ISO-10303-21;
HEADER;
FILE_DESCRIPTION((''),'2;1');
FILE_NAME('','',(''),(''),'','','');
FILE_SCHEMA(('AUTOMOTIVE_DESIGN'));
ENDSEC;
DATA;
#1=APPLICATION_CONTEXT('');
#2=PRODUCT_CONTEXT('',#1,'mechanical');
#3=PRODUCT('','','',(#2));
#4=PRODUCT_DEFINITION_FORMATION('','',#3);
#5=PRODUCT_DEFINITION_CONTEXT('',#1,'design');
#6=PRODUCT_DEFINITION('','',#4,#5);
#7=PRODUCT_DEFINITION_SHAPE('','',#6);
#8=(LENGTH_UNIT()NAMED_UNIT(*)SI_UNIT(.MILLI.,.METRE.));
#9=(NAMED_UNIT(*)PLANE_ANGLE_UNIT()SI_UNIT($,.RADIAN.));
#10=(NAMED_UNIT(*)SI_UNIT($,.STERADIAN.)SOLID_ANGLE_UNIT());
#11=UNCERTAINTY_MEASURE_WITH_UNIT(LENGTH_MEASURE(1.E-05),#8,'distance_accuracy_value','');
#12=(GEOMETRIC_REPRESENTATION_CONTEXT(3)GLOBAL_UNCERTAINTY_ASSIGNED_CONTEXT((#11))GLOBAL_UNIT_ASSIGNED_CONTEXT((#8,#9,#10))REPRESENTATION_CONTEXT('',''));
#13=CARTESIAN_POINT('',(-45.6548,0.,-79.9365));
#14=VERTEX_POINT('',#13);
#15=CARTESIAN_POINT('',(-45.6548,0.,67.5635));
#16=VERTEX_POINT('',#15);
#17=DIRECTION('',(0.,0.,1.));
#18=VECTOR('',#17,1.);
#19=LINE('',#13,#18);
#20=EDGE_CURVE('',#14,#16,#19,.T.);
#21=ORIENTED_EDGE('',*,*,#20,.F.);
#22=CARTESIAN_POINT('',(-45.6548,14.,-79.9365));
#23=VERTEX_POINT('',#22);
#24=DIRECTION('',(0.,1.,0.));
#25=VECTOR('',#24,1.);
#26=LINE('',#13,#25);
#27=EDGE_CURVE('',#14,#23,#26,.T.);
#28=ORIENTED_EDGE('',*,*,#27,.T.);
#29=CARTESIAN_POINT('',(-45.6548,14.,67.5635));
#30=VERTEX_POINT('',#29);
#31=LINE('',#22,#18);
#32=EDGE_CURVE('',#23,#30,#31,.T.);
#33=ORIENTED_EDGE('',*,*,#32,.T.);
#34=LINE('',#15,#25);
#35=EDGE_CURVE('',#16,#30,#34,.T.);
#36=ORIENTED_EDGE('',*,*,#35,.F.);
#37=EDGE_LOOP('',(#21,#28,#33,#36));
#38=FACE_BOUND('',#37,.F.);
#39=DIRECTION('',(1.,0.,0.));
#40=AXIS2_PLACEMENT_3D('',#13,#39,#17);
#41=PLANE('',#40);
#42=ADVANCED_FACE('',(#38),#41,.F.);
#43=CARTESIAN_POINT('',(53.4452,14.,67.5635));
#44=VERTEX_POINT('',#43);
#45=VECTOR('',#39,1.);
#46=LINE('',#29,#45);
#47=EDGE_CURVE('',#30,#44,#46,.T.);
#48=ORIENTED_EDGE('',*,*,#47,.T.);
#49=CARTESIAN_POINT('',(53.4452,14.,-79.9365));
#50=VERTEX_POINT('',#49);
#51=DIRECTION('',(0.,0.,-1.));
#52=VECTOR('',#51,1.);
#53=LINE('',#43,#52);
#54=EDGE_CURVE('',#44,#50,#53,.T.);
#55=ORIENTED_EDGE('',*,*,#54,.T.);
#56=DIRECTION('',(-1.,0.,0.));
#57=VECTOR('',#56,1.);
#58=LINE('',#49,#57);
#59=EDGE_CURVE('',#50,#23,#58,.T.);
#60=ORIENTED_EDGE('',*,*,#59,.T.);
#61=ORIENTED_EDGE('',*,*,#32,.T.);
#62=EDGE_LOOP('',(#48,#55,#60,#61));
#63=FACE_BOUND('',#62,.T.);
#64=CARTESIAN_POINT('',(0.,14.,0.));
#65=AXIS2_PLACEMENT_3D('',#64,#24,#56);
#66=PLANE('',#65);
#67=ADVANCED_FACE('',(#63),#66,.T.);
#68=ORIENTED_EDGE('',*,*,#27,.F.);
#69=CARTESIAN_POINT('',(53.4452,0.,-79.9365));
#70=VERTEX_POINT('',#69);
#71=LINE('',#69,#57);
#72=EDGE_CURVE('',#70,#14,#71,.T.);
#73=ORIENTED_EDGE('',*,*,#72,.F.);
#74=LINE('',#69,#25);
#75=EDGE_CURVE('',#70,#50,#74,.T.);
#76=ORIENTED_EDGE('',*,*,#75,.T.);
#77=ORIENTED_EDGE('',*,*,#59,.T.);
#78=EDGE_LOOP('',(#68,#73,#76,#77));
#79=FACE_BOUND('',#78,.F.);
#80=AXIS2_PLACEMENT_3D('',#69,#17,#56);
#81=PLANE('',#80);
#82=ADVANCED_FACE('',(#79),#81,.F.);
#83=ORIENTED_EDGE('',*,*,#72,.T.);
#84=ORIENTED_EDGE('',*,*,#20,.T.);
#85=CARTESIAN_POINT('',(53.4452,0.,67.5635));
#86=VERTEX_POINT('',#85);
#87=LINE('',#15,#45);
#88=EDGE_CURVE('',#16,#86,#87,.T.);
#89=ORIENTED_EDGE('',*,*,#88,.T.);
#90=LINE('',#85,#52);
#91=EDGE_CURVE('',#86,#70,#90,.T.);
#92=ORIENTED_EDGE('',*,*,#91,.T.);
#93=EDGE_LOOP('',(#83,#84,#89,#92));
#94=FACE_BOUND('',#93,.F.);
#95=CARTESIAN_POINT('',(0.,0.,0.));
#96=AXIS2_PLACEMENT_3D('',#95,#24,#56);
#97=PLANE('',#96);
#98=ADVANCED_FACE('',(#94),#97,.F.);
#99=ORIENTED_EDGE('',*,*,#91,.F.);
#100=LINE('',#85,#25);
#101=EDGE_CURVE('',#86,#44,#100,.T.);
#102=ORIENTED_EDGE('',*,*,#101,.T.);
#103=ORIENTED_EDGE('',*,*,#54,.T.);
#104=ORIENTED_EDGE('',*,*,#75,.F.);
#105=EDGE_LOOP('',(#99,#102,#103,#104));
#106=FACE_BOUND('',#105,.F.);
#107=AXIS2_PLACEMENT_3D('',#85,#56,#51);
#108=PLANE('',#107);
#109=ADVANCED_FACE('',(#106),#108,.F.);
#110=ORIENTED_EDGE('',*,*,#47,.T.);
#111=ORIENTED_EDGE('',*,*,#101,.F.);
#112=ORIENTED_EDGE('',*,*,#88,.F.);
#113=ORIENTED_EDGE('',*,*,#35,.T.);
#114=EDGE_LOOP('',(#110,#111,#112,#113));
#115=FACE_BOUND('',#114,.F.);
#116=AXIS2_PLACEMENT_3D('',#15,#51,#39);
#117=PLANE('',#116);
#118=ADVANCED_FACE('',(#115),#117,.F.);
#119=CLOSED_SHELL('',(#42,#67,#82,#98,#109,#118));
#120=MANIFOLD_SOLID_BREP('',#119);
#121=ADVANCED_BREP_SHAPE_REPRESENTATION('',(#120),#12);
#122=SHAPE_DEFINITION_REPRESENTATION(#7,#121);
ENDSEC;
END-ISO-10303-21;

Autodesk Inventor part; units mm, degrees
ref_plane "YZ Plane" through (0, 0, 0) normal (1, 0, 0) x (0, 1, 0)
ref_plane "XZ Plane" through (0, 0, 0) normal (0, 1, 0) x (-1, 0, 0)
ref_plane "XY Plane" through (0, 0, 0) normal (0, 0, 1) x (1, 0, 0)
sketch "Sketch1" plane through (0, 0, 0) normal (0, 1, 0) x (-1, 0, 0)
  line L0 (45.6548, 67.5635) -> (-53.4452, 67.5635)
  line L1 (-53.4452, 67.5635) -> (-53.4452, -79.9365)
  line L2 (-53.4452, -79.9365) -> (45.6548, -79.9365)
  line L3 (45.6548, -79.9365) -> (45.6548, 67.5635)
  point P0 (0, 0)
  dimension "d0" = 147.5
  dimension "d1" = 99.1
extrude "Extrusion1" add sketch "Sketch1" along normal blind 14
properties part number "ankerpro15000mah"
